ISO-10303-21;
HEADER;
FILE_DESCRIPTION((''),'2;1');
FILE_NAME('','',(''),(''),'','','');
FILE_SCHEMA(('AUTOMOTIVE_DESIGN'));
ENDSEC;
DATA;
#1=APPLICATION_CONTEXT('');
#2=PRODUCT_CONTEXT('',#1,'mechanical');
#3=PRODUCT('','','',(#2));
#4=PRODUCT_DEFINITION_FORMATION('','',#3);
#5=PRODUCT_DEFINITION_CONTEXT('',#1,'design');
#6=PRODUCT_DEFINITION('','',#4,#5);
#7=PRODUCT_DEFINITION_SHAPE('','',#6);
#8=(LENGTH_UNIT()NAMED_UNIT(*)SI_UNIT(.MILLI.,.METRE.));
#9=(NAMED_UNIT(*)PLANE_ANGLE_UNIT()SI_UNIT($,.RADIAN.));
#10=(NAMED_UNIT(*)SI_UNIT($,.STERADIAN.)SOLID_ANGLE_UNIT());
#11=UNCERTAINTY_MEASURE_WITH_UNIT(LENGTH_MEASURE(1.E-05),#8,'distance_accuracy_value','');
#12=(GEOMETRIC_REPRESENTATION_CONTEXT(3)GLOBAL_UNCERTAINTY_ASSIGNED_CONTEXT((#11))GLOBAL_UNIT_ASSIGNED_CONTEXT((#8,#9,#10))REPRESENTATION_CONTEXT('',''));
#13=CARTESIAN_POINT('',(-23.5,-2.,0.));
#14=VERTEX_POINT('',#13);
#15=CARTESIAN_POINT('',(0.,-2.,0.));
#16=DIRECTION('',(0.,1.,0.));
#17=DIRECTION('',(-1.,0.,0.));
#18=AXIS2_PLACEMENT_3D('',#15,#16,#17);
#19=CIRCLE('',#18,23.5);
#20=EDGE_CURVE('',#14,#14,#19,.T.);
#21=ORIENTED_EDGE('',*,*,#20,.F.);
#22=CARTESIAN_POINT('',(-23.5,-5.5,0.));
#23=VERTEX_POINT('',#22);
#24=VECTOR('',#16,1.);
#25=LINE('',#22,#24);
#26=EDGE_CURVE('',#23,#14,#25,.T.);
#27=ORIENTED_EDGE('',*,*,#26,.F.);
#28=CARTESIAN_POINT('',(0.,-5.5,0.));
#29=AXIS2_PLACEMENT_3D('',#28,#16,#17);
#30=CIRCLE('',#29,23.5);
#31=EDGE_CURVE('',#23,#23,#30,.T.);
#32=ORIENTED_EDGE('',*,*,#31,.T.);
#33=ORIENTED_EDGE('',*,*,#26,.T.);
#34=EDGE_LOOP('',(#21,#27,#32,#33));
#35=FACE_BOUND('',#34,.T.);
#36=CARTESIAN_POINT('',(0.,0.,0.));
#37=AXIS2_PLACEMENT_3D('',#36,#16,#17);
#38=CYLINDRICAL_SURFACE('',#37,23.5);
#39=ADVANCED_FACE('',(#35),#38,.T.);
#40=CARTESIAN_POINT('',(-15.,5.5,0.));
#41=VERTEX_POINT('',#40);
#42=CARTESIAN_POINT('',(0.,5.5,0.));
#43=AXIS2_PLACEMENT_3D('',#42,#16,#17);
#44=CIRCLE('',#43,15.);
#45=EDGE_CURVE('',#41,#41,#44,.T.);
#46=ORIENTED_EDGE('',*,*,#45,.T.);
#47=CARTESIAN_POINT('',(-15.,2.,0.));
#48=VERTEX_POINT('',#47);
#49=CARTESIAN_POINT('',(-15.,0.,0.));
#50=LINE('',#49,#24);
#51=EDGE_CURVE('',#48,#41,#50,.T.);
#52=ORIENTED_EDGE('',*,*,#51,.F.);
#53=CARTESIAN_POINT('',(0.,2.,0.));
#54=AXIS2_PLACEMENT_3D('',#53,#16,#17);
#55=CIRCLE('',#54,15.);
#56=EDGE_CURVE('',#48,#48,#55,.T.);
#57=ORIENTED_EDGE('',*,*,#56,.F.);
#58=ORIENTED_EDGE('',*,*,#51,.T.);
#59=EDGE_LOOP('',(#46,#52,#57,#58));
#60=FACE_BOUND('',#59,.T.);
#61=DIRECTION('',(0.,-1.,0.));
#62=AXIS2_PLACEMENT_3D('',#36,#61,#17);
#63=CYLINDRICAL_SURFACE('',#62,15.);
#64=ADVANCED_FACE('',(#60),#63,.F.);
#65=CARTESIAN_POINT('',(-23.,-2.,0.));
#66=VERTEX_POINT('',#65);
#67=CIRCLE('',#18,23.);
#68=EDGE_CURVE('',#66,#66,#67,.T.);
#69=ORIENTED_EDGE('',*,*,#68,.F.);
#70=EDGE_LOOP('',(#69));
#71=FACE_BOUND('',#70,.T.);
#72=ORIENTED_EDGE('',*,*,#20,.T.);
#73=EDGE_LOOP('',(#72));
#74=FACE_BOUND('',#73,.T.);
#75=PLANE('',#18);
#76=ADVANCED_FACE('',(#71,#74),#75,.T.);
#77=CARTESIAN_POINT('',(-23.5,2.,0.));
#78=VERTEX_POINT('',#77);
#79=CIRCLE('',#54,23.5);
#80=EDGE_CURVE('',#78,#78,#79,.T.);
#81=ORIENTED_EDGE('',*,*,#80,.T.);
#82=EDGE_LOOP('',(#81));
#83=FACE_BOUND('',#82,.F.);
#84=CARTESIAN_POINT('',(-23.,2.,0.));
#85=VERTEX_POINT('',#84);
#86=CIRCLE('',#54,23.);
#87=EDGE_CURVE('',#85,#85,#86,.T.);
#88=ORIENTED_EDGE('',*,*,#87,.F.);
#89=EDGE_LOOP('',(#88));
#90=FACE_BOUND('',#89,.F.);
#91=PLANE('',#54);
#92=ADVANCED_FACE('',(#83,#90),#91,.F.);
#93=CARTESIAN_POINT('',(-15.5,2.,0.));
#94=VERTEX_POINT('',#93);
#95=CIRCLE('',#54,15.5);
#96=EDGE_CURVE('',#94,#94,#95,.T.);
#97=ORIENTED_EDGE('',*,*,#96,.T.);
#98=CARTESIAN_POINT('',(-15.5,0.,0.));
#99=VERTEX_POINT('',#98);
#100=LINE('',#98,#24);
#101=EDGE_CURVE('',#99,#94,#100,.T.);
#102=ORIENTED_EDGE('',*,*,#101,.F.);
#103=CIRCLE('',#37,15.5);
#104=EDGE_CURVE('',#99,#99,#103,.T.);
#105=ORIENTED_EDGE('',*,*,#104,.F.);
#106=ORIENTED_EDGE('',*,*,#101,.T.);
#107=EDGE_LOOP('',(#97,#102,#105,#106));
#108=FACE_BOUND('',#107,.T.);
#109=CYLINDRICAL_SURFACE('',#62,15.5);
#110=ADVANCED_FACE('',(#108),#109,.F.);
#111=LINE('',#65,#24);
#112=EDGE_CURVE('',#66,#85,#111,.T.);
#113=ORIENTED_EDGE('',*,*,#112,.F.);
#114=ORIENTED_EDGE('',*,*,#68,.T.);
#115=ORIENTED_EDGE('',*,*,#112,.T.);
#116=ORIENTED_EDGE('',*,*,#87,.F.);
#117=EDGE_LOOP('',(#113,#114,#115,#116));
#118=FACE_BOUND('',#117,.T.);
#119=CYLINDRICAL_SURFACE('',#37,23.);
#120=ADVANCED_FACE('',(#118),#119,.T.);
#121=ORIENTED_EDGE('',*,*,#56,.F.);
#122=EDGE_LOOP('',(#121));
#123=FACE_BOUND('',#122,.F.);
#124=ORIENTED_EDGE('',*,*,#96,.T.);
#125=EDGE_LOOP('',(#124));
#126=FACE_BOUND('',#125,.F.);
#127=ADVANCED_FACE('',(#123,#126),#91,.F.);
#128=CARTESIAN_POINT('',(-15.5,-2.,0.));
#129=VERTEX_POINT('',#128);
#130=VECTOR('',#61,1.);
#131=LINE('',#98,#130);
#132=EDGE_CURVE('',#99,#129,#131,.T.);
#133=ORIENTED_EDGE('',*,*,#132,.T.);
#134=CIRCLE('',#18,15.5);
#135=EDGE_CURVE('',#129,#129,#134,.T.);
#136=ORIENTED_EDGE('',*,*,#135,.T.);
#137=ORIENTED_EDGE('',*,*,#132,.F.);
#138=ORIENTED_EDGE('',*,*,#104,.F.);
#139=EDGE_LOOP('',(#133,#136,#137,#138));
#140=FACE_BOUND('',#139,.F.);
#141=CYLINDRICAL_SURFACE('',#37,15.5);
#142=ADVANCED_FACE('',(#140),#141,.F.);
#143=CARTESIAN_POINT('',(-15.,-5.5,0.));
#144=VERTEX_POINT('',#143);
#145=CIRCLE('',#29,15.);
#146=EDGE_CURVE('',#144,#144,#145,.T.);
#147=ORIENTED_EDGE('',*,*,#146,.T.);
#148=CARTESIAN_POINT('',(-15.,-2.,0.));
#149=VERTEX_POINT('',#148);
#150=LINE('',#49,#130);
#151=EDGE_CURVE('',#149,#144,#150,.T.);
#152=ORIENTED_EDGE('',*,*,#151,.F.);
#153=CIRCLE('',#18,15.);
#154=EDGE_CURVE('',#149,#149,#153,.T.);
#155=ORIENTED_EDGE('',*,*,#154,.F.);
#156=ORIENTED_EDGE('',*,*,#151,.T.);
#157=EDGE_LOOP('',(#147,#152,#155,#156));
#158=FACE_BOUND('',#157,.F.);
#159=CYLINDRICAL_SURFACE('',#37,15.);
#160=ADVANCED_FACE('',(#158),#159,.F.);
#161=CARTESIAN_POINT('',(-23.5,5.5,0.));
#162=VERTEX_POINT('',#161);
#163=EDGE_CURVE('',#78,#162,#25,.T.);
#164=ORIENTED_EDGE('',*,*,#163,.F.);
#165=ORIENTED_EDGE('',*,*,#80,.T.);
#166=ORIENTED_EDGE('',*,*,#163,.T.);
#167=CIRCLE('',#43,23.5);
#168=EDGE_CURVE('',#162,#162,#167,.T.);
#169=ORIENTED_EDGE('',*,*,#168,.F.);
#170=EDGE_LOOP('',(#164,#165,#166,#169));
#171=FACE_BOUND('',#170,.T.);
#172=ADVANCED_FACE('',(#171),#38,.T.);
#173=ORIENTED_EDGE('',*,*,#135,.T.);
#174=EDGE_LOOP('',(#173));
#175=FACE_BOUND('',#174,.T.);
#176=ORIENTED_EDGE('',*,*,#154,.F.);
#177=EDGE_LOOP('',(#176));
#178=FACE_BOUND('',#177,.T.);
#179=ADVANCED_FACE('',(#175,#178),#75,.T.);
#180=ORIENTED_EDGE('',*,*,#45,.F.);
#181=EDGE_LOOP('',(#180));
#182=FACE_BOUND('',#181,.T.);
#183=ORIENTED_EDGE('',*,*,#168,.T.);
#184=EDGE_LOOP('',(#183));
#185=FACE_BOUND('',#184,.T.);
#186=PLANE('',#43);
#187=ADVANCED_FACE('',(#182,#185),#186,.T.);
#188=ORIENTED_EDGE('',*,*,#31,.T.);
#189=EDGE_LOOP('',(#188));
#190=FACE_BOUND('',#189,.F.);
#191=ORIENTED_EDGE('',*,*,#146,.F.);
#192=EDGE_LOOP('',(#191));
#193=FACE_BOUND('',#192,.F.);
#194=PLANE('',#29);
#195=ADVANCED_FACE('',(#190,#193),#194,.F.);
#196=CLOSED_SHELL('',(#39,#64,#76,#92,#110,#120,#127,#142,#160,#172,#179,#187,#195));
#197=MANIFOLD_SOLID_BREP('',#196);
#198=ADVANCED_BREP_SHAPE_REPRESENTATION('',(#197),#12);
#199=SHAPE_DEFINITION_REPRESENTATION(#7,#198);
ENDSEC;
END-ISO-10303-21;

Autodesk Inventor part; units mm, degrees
ref_plane "YZ Plane" through (0, 0, 0) normal (1, 0, 0) x (0, 1, 0)
ref_plane "XZ Plane" through (0, 0, 0) normal (0, 1, 0) x (-1, 0, 0)
ref_plane "XY Plane" through (0, 0, 0) normal (0, 0, 1) x (1, 0, 0)
sketch "Sketch1" plane through (0, 0, 0) normal (0, 1, 0) x (-1, 0, 0)
  circle A0 centre (0, 0) radius 15
  circle A1 centre (0, 0) radius 23.5
  circle A2 centre (0, 0) radius 15.5
  circle A3 centre (0, 0) radius 23
  dimension "d0" = 30
  dimension "d1" = 47
  dimension "d2" = 0.5
  dimension "d3" = 0.5
extrude "Extrusion1" add sketch "Sketch1" along normal mid plane 11 contours A1 | A2 | A3
extrude "Extrusion2" cut sketch "Sketch1" along normal mid plane 4
properties part number "Thrust Bearing 51106 - 30x47x11mm" material "Stainless Steel"
